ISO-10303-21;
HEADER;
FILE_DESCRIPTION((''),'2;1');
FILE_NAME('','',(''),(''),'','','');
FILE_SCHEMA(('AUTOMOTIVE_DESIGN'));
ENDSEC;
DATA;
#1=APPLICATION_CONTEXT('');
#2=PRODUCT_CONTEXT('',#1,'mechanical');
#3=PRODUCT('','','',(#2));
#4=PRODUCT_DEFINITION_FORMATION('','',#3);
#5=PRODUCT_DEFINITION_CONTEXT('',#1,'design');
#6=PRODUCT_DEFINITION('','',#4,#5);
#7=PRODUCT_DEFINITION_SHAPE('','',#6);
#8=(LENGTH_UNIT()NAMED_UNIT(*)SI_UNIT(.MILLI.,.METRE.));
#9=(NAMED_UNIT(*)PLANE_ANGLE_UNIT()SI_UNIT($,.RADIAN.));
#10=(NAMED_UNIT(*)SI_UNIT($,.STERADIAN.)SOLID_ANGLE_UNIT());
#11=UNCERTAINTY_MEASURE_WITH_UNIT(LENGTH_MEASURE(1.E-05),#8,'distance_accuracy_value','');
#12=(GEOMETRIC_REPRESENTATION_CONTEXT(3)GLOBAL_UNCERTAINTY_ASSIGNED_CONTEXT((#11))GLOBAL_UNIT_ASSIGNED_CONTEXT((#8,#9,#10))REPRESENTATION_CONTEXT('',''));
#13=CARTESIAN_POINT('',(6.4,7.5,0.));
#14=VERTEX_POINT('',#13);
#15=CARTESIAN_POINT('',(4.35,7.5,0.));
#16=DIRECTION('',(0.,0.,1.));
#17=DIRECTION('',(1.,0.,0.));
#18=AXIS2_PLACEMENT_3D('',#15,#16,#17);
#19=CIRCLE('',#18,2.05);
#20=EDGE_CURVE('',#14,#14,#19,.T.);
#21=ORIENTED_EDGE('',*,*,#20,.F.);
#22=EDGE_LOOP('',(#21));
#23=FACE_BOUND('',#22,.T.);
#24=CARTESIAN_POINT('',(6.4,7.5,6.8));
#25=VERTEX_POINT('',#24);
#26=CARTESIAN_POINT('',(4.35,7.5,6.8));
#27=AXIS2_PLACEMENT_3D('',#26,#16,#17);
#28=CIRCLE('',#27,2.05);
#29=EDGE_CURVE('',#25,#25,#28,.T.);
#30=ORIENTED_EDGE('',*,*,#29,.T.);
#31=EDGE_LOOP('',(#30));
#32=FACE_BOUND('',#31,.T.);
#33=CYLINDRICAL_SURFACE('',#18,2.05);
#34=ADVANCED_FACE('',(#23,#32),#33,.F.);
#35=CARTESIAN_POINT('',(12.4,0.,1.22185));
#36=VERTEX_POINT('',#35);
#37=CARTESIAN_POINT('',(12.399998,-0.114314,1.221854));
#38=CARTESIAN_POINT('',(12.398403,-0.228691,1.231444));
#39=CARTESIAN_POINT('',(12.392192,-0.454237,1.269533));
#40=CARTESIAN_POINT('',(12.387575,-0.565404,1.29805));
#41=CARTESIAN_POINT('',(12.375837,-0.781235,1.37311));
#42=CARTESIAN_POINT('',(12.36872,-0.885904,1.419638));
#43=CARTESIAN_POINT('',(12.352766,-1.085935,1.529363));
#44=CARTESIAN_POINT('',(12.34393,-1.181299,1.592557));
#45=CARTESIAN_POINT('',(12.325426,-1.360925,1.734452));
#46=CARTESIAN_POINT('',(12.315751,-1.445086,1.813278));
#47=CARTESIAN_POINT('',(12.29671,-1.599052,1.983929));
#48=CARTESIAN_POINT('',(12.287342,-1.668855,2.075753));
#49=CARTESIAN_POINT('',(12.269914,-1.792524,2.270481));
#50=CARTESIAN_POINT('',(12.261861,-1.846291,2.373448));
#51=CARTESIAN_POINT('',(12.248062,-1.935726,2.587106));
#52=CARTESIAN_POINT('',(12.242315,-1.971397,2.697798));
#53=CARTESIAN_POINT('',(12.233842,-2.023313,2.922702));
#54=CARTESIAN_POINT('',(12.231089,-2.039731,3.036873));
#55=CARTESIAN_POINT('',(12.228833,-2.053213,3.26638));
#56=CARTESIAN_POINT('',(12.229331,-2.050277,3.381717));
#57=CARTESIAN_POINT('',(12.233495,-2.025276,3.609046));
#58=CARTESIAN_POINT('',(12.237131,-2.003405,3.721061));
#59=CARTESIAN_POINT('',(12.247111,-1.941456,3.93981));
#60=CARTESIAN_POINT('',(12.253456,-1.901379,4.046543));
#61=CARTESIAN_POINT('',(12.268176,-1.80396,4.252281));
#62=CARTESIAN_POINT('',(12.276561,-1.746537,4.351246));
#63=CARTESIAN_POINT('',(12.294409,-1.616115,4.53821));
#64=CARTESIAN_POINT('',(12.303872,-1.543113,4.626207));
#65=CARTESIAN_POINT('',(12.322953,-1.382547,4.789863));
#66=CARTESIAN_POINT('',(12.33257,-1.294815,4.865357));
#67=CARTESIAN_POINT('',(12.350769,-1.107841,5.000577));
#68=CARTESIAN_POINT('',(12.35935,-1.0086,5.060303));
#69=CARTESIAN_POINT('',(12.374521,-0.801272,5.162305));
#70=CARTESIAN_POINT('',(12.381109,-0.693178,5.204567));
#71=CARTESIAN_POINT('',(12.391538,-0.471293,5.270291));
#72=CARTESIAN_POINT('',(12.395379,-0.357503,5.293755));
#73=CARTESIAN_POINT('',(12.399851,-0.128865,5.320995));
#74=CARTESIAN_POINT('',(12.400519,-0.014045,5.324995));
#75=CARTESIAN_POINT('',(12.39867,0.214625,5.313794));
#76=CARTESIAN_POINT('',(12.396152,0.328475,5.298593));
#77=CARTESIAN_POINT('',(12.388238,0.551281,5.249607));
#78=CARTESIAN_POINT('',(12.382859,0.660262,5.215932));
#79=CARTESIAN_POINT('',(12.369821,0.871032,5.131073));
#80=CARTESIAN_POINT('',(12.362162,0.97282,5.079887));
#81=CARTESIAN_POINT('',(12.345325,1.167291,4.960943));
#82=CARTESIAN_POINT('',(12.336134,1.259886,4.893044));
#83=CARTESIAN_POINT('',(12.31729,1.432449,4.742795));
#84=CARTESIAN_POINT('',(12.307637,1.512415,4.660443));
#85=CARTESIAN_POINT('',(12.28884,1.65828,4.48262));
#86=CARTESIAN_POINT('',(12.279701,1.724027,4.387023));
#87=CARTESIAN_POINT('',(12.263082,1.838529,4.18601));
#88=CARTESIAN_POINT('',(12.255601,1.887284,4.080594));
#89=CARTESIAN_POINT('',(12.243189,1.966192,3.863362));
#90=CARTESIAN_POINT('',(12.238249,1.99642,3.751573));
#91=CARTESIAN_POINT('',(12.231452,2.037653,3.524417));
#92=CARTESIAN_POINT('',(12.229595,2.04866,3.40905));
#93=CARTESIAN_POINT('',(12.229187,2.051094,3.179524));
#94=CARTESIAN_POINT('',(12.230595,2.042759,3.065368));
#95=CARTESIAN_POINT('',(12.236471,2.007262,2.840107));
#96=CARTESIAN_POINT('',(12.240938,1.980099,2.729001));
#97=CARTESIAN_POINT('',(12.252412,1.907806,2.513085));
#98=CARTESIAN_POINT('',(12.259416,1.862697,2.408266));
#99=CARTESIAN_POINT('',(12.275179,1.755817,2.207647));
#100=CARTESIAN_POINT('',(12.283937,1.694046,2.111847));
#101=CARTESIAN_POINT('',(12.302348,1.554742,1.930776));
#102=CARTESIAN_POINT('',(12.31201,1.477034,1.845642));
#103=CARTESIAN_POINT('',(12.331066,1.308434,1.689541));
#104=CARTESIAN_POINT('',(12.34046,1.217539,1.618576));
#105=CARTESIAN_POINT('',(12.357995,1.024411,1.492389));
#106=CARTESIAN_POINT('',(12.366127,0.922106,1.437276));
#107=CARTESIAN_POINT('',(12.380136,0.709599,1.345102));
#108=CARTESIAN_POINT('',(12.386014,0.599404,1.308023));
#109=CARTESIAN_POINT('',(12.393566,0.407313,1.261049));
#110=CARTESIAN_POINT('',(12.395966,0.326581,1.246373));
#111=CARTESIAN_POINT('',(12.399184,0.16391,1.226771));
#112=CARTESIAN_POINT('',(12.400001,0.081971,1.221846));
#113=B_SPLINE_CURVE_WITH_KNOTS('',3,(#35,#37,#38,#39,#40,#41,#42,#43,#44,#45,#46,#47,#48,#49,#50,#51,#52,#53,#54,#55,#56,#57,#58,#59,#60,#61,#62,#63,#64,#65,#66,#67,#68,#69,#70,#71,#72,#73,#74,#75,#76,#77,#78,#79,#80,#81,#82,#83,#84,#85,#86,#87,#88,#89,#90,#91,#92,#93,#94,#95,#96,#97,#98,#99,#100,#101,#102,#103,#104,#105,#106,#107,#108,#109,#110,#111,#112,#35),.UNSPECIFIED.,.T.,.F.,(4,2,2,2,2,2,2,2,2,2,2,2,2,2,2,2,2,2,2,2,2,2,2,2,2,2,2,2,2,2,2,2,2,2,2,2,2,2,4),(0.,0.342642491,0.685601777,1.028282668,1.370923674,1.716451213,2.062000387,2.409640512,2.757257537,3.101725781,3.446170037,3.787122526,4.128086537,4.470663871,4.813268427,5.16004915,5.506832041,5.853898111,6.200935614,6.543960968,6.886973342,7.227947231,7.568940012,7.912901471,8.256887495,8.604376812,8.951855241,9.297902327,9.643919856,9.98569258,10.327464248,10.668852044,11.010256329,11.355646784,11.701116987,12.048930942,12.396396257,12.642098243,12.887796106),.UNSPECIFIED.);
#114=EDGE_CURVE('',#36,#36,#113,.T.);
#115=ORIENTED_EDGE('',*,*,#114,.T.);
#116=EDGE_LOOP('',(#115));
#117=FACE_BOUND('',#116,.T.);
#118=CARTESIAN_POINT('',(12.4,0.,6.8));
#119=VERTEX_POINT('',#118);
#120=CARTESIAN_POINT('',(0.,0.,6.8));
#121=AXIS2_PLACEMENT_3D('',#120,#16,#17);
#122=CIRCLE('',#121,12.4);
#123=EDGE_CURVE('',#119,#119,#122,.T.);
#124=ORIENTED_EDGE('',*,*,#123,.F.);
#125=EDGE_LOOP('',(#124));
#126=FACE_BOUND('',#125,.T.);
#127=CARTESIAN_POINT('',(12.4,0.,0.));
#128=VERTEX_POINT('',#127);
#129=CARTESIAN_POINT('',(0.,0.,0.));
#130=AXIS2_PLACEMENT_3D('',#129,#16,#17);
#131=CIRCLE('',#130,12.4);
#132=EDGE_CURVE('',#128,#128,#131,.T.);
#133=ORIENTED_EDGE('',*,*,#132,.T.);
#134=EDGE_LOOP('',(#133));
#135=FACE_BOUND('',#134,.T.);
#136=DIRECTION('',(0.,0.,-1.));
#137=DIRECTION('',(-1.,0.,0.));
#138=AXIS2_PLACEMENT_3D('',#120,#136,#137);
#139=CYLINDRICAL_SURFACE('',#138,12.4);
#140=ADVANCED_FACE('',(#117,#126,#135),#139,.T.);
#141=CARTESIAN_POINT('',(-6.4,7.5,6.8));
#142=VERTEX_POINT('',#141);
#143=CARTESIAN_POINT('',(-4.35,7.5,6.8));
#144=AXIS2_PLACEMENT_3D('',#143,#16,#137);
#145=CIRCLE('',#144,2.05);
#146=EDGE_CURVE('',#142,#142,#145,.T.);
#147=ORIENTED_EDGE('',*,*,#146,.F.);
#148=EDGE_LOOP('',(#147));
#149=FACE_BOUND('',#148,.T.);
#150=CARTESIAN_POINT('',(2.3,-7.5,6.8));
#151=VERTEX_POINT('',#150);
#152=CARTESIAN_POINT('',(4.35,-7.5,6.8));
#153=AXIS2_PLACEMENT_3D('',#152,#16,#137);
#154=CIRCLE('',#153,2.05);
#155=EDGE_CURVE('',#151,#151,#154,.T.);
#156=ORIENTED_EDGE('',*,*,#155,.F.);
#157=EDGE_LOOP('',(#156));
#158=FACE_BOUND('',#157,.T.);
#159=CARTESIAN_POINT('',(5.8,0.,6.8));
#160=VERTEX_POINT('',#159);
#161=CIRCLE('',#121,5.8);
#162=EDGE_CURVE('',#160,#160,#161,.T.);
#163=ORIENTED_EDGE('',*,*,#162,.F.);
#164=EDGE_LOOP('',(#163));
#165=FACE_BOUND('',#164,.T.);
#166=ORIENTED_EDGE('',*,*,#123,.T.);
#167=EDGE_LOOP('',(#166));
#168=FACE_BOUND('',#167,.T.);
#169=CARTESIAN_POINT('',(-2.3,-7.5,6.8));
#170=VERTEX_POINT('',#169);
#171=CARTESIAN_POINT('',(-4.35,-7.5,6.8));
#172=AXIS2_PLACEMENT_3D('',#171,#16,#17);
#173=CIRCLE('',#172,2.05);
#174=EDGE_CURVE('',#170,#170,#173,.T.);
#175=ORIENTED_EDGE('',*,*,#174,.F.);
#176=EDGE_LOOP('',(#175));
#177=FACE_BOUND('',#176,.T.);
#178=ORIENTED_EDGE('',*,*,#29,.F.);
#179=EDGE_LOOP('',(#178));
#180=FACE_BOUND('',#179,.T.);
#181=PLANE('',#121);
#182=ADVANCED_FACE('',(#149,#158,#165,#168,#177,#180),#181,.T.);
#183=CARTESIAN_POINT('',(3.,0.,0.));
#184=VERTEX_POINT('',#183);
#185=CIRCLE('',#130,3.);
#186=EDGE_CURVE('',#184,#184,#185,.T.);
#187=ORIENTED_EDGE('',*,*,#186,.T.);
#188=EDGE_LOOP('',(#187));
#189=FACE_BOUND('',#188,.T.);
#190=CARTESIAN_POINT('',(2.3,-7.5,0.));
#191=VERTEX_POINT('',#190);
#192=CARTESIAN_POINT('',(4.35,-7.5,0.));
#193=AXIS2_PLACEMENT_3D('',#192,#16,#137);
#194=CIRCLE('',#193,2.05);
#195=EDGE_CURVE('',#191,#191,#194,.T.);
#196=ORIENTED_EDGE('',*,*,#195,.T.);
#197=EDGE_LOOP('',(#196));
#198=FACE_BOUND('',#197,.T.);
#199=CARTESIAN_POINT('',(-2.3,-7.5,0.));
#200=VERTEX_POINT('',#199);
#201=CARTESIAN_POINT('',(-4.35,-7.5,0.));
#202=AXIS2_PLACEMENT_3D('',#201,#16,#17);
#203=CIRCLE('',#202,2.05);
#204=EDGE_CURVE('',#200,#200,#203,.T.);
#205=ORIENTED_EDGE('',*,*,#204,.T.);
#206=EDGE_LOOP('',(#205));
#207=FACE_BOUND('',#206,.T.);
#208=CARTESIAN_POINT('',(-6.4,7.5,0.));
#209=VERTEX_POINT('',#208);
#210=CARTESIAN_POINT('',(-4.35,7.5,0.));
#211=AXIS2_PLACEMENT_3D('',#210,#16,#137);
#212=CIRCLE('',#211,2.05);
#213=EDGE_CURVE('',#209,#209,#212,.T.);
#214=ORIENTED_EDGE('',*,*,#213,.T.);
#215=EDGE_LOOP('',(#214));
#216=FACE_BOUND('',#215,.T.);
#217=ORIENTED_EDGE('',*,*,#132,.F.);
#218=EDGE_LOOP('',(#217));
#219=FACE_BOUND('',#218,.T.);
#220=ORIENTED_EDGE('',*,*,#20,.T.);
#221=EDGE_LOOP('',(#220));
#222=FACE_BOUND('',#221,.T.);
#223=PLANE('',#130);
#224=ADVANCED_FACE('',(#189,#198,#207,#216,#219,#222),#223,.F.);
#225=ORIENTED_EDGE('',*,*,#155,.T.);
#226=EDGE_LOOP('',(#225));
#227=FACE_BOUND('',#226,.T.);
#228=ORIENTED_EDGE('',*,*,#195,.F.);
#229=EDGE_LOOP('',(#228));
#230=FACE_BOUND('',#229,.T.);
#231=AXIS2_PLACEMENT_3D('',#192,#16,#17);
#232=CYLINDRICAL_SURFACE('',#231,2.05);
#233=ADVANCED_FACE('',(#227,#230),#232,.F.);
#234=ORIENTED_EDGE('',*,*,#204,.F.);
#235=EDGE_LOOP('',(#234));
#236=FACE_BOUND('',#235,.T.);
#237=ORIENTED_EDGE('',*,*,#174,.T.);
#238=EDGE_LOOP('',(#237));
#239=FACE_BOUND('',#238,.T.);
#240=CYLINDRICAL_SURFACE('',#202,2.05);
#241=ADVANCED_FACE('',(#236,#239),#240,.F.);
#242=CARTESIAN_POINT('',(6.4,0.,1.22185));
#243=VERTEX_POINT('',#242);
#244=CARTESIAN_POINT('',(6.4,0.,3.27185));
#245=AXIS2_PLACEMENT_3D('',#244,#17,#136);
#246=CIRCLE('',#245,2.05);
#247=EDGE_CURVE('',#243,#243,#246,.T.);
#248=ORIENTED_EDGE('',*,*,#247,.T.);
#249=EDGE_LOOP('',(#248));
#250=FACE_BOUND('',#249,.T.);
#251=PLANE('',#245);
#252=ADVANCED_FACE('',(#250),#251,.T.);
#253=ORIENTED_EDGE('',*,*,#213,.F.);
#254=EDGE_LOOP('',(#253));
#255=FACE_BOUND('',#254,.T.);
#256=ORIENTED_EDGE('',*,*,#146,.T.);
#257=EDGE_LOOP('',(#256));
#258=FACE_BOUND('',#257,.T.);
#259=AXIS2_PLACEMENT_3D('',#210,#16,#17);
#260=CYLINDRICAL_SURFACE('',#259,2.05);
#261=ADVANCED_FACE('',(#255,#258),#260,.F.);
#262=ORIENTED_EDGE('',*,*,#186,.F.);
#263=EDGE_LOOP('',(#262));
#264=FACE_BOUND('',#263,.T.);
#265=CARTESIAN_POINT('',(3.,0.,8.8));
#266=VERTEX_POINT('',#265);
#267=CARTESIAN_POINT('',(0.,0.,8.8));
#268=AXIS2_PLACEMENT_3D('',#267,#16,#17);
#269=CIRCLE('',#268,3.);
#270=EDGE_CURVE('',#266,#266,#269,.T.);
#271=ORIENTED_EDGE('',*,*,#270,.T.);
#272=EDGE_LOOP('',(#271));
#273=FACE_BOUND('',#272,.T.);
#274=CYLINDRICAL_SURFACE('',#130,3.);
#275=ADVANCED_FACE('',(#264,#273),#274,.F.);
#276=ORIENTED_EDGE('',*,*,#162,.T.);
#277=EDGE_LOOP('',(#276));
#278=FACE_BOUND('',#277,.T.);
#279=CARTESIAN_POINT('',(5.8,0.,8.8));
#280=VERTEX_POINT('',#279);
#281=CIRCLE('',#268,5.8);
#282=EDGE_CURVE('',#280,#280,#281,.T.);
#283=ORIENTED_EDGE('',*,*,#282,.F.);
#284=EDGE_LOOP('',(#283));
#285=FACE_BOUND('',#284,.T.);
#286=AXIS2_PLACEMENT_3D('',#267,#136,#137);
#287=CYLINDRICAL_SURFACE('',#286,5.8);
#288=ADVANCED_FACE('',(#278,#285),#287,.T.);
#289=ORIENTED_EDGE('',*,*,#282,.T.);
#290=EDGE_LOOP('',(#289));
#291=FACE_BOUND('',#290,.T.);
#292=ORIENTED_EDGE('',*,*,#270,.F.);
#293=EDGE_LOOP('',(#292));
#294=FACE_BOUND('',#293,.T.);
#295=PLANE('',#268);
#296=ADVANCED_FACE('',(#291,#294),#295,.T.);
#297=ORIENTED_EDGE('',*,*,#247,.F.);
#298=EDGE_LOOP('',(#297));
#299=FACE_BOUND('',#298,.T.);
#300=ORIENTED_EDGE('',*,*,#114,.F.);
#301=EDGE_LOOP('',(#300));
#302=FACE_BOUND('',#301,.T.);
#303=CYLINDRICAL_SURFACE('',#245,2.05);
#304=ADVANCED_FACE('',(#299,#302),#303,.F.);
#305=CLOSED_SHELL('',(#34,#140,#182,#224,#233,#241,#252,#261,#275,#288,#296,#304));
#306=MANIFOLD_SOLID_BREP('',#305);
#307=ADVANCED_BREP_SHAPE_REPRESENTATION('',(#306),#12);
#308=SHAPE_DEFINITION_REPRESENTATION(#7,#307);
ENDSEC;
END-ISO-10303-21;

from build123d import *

# Parameters (mm, degrees)
SKETCH1_R           = 12.4
BOSS_EXTRUDE1_DEPTH = 6.8
SKETCH2_R           = 5.8
BOSS_EXTRUDE2_DEPTH = 2
SKETCH3_R           = 3
CUT_EXTRUDE1_DEPTH  = 20.620397549
SKETCH4_R           = 2.05
CUT_EXTRUDE2_DEPTH  = 19.808508713
SKETCH5_R           = 2.05
CUT_EXTRUDE3_DEPTH  = 6


with BuildPart() as part:
    # Sketch1 → Boss-Extrude1 (new body)
    with BuildSketch(Plane.XY):
        Circle(SKETCH1_R)
    extrude(amount=BOSS_EXTRUDE1_DEPTH)

    # Sketch2 → Boss-Extrude2 (add)
    with BuildSketch(Plane.XY.offset(6.8)):
        Circle(SKETCH2_R)
    extrude(amount=BOSS_EXTRUDE2_DEPTH)

    # Sketch3 → Cut-Extrude1 (cut, through all)
    with BuildSketch(Plane.XY.offset(8.8)):
        Circle(SKETCH3_R)
    extrude(amount=-CUT_EXTRUDE1_DEPTH, mode=Mode.SUBTRACT)

    # Sketch4 → Cut-Extrude2 (cut, through all)
    with BuildSketch(Plane.XY.offset(6.8)):
        with Locations((4.35, 7.5)):
            Circle(SKETCH4_R)
        with Locations(Location((-4.35, 7.5, 0), (0, 0, 180))):
            Circle(SKETCH4_R)
        with Locations(Location((4.35, -7.5, 0), (0, 0, 180))):
            Circle(SKETCH4_R)
        with Locations((-4.35, -7.5)):
            Circle(SKETCH4_R)
    extrude(amount=-CUT_EXTRUDE2_DEPTH, mode=Mode.SUBTRACT)

    # Sketch5 → Cut-Extrude3 (cut)
    with BuildSketch(Plane(origin=(12.4, 0, 0), x_dir=(0, 0, -1), z_dir=(1, 0, 0))):
        with Locations((-3.271849547, 0)):
            Circle(SKETCH5_R)
    extrude(amount=-CUT_EXTRUDE3_DEPTH, mode=Mode.SUBTRACT)


solid = part.part
